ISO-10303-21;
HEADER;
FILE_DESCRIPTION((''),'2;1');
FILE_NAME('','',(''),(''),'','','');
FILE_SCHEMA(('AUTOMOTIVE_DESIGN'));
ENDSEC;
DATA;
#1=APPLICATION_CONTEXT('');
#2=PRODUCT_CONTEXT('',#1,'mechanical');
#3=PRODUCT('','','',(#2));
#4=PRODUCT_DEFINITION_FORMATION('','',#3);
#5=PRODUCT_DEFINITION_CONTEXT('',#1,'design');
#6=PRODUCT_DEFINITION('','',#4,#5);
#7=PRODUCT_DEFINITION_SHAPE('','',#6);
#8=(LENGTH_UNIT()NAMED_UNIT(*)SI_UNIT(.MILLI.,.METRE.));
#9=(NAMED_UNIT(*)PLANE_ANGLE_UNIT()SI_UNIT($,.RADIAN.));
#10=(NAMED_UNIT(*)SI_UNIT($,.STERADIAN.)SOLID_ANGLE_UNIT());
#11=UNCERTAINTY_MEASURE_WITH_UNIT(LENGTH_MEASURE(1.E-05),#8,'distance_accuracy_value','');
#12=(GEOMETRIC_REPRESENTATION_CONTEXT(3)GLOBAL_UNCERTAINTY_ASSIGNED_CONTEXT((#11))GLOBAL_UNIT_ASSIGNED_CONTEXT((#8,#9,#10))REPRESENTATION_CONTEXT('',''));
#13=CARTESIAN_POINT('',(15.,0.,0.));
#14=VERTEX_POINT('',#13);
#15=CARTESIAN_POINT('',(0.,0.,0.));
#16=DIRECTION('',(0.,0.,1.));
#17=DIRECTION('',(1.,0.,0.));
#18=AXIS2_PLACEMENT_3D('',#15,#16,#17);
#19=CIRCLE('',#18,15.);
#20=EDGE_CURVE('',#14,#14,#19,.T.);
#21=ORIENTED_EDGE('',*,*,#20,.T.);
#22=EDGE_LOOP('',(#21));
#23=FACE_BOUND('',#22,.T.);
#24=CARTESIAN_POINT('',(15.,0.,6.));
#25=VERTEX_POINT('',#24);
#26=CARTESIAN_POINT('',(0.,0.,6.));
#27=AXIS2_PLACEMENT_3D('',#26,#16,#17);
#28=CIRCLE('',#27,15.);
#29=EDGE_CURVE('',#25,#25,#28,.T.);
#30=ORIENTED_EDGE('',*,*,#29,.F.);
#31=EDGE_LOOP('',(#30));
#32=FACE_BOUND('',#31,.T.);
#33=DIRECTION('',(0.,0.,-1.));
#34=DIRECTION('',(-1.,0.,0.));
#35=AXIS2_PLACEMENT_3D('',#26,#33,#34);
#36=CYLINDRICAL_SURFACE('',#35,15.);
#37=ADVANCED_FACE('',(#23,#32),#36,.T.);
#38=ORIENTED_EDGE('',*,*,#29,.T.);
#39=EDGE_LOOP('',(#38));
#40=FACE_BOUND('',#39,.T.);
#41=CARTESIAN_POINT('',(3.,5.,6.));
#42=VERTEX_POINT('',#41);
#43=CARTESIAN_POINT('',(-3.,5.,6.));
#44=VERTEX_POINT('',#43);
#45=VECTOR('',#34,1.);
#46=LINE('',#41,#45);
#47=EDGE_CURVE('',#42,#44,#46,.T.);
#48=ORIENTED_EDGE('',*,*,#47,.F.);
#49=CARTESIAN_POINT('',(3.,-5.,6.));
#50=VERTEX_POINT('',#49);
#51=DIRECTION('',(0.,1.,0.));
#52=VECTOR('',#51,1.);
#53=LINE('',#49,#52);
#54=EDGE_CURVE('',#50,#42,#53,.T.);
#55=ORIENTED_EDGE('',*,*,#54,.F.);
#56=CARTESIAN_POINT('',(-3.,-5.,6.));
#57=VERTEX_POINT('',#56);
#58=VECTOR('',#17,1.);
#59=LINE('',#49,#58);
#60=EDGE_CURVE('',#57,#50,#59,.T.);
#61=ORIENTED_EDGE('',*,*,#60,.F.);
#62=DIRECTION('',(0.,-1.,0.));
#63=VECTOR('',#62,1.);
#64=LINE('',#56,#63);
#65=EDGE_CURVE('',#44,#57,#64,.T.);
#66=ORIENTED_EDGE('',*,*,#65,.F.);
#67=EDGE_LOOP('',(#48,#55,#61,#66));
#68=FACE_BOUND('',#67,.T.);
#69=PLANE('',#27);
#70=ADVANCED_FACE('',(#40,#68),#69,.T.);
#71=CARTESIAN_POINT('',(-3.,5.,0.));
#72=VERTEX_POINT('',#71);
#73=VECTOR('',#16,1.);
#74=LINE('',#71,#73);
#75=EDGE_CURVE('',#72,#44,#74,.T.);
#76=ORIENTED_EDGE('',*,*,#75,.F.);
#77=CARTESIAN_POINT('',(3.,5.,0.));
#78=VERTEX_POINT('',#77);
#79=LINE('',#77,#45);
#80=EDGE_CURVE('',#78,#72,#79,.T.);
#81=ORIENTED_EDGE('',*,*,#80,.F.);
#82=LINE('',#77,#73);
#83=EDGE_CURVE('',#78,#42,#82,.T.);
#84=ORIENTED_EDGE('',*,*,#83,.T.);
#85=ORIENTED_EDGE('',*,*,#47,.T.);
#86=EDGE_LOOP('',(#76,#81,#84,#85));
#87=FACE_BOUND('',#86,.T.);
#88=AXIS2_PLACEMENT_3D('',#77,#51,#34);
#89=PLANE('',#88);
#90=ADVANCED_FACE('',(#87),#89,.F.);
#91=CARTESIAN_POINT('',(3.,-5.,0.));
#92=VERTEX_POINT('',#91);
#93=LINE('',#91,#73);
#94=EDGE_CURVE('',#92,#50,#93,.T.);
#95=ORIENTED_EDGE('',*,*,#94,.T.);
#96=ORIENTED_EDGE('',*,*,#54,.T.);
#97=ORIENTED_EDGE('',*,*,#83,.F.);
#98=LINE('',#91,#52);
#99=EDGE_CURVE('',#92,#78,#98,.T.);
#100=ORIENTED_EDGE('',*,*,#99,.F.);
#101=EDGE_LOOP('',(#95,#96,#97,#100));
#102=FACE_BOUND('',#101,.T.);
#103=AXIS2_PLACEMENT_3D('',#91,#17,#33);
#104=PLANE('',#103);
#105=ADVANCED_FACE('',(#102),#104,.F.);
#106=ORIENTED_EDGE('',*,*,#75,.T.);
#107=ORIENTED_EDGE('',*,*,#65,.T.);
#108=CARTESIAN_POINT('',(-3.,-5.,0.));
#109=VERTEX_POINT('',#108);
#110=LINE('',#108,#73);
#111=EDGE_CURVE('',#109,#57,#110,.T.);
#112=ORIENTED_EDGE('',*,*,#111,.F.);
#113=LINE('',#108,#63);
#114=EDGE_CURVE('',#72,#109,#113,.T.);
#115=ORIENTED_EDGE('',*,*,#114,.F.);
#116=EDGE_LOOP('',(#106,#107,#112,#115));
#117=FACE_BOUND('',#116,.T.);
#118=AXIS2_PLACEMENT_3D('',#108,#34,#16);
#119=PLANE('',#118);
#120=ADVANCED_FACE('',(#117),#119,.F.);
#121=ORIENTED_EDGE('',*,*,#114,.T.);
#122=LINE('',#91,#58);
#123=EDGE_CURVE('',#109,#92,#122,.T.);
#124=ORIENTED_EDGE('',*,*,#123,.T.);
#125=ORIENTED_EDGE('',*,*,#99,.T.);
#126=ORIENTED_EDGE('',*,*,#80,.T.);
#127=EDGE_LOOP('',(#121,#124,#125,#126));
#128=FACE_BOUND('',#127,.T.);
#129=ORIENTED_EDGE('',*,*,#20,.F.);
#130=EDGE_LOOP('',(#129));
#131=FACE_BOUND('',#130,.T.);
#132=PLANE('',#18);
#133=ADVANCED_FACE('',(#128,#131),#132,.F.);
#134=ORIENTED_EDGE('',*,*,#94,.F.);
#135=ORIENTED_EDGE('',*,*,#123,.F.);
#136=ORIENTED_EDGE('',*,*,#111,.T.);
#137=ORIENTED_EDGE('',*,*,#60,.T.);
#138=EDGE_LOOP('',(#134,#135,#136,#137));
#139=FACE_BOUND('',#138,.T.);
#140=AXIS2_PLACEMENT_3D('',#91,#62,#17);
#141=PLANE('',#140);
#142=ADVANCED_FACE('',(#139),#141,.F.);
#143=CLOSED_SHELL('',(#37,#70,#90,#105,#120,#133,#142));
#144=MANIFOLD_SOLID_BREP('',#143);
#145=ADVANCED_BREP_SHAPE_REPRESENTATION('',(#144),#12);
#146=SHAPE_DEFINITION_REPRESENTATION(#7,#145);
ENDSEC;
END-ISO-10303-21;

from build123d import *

# Parameters (mm, degrees)
ESBO_O1_R                = 15
RESSALTO_EXTRUS_O1_DEPTH = 6
ESBO_O2_W                = 6
ESBO_O2_H                = 10
CORTE_EXTRUS_O1_DEPTH    = 6


with BuildPart() as part:
    # Esboço1 → Ressalto-extrusão1 (new body)
    with BuildSketch(Plane.XY):
        Circle(ESBO_O1_R)
    extrude(amount=RESSALTO_EXTRUS_O1_DEPTH)

    # Esboço2 → Corte-extrusão1 (cut)
    with BuildSketch(Plane.XY.offset(6)):
        Rectangle(ESBO_O2_W, ESBO_O2_H)
    extrude(amount=-CORTE_EXTRUS_O1_DEPTH, mode=Mode.SUBTRACT)


solid = part.part
